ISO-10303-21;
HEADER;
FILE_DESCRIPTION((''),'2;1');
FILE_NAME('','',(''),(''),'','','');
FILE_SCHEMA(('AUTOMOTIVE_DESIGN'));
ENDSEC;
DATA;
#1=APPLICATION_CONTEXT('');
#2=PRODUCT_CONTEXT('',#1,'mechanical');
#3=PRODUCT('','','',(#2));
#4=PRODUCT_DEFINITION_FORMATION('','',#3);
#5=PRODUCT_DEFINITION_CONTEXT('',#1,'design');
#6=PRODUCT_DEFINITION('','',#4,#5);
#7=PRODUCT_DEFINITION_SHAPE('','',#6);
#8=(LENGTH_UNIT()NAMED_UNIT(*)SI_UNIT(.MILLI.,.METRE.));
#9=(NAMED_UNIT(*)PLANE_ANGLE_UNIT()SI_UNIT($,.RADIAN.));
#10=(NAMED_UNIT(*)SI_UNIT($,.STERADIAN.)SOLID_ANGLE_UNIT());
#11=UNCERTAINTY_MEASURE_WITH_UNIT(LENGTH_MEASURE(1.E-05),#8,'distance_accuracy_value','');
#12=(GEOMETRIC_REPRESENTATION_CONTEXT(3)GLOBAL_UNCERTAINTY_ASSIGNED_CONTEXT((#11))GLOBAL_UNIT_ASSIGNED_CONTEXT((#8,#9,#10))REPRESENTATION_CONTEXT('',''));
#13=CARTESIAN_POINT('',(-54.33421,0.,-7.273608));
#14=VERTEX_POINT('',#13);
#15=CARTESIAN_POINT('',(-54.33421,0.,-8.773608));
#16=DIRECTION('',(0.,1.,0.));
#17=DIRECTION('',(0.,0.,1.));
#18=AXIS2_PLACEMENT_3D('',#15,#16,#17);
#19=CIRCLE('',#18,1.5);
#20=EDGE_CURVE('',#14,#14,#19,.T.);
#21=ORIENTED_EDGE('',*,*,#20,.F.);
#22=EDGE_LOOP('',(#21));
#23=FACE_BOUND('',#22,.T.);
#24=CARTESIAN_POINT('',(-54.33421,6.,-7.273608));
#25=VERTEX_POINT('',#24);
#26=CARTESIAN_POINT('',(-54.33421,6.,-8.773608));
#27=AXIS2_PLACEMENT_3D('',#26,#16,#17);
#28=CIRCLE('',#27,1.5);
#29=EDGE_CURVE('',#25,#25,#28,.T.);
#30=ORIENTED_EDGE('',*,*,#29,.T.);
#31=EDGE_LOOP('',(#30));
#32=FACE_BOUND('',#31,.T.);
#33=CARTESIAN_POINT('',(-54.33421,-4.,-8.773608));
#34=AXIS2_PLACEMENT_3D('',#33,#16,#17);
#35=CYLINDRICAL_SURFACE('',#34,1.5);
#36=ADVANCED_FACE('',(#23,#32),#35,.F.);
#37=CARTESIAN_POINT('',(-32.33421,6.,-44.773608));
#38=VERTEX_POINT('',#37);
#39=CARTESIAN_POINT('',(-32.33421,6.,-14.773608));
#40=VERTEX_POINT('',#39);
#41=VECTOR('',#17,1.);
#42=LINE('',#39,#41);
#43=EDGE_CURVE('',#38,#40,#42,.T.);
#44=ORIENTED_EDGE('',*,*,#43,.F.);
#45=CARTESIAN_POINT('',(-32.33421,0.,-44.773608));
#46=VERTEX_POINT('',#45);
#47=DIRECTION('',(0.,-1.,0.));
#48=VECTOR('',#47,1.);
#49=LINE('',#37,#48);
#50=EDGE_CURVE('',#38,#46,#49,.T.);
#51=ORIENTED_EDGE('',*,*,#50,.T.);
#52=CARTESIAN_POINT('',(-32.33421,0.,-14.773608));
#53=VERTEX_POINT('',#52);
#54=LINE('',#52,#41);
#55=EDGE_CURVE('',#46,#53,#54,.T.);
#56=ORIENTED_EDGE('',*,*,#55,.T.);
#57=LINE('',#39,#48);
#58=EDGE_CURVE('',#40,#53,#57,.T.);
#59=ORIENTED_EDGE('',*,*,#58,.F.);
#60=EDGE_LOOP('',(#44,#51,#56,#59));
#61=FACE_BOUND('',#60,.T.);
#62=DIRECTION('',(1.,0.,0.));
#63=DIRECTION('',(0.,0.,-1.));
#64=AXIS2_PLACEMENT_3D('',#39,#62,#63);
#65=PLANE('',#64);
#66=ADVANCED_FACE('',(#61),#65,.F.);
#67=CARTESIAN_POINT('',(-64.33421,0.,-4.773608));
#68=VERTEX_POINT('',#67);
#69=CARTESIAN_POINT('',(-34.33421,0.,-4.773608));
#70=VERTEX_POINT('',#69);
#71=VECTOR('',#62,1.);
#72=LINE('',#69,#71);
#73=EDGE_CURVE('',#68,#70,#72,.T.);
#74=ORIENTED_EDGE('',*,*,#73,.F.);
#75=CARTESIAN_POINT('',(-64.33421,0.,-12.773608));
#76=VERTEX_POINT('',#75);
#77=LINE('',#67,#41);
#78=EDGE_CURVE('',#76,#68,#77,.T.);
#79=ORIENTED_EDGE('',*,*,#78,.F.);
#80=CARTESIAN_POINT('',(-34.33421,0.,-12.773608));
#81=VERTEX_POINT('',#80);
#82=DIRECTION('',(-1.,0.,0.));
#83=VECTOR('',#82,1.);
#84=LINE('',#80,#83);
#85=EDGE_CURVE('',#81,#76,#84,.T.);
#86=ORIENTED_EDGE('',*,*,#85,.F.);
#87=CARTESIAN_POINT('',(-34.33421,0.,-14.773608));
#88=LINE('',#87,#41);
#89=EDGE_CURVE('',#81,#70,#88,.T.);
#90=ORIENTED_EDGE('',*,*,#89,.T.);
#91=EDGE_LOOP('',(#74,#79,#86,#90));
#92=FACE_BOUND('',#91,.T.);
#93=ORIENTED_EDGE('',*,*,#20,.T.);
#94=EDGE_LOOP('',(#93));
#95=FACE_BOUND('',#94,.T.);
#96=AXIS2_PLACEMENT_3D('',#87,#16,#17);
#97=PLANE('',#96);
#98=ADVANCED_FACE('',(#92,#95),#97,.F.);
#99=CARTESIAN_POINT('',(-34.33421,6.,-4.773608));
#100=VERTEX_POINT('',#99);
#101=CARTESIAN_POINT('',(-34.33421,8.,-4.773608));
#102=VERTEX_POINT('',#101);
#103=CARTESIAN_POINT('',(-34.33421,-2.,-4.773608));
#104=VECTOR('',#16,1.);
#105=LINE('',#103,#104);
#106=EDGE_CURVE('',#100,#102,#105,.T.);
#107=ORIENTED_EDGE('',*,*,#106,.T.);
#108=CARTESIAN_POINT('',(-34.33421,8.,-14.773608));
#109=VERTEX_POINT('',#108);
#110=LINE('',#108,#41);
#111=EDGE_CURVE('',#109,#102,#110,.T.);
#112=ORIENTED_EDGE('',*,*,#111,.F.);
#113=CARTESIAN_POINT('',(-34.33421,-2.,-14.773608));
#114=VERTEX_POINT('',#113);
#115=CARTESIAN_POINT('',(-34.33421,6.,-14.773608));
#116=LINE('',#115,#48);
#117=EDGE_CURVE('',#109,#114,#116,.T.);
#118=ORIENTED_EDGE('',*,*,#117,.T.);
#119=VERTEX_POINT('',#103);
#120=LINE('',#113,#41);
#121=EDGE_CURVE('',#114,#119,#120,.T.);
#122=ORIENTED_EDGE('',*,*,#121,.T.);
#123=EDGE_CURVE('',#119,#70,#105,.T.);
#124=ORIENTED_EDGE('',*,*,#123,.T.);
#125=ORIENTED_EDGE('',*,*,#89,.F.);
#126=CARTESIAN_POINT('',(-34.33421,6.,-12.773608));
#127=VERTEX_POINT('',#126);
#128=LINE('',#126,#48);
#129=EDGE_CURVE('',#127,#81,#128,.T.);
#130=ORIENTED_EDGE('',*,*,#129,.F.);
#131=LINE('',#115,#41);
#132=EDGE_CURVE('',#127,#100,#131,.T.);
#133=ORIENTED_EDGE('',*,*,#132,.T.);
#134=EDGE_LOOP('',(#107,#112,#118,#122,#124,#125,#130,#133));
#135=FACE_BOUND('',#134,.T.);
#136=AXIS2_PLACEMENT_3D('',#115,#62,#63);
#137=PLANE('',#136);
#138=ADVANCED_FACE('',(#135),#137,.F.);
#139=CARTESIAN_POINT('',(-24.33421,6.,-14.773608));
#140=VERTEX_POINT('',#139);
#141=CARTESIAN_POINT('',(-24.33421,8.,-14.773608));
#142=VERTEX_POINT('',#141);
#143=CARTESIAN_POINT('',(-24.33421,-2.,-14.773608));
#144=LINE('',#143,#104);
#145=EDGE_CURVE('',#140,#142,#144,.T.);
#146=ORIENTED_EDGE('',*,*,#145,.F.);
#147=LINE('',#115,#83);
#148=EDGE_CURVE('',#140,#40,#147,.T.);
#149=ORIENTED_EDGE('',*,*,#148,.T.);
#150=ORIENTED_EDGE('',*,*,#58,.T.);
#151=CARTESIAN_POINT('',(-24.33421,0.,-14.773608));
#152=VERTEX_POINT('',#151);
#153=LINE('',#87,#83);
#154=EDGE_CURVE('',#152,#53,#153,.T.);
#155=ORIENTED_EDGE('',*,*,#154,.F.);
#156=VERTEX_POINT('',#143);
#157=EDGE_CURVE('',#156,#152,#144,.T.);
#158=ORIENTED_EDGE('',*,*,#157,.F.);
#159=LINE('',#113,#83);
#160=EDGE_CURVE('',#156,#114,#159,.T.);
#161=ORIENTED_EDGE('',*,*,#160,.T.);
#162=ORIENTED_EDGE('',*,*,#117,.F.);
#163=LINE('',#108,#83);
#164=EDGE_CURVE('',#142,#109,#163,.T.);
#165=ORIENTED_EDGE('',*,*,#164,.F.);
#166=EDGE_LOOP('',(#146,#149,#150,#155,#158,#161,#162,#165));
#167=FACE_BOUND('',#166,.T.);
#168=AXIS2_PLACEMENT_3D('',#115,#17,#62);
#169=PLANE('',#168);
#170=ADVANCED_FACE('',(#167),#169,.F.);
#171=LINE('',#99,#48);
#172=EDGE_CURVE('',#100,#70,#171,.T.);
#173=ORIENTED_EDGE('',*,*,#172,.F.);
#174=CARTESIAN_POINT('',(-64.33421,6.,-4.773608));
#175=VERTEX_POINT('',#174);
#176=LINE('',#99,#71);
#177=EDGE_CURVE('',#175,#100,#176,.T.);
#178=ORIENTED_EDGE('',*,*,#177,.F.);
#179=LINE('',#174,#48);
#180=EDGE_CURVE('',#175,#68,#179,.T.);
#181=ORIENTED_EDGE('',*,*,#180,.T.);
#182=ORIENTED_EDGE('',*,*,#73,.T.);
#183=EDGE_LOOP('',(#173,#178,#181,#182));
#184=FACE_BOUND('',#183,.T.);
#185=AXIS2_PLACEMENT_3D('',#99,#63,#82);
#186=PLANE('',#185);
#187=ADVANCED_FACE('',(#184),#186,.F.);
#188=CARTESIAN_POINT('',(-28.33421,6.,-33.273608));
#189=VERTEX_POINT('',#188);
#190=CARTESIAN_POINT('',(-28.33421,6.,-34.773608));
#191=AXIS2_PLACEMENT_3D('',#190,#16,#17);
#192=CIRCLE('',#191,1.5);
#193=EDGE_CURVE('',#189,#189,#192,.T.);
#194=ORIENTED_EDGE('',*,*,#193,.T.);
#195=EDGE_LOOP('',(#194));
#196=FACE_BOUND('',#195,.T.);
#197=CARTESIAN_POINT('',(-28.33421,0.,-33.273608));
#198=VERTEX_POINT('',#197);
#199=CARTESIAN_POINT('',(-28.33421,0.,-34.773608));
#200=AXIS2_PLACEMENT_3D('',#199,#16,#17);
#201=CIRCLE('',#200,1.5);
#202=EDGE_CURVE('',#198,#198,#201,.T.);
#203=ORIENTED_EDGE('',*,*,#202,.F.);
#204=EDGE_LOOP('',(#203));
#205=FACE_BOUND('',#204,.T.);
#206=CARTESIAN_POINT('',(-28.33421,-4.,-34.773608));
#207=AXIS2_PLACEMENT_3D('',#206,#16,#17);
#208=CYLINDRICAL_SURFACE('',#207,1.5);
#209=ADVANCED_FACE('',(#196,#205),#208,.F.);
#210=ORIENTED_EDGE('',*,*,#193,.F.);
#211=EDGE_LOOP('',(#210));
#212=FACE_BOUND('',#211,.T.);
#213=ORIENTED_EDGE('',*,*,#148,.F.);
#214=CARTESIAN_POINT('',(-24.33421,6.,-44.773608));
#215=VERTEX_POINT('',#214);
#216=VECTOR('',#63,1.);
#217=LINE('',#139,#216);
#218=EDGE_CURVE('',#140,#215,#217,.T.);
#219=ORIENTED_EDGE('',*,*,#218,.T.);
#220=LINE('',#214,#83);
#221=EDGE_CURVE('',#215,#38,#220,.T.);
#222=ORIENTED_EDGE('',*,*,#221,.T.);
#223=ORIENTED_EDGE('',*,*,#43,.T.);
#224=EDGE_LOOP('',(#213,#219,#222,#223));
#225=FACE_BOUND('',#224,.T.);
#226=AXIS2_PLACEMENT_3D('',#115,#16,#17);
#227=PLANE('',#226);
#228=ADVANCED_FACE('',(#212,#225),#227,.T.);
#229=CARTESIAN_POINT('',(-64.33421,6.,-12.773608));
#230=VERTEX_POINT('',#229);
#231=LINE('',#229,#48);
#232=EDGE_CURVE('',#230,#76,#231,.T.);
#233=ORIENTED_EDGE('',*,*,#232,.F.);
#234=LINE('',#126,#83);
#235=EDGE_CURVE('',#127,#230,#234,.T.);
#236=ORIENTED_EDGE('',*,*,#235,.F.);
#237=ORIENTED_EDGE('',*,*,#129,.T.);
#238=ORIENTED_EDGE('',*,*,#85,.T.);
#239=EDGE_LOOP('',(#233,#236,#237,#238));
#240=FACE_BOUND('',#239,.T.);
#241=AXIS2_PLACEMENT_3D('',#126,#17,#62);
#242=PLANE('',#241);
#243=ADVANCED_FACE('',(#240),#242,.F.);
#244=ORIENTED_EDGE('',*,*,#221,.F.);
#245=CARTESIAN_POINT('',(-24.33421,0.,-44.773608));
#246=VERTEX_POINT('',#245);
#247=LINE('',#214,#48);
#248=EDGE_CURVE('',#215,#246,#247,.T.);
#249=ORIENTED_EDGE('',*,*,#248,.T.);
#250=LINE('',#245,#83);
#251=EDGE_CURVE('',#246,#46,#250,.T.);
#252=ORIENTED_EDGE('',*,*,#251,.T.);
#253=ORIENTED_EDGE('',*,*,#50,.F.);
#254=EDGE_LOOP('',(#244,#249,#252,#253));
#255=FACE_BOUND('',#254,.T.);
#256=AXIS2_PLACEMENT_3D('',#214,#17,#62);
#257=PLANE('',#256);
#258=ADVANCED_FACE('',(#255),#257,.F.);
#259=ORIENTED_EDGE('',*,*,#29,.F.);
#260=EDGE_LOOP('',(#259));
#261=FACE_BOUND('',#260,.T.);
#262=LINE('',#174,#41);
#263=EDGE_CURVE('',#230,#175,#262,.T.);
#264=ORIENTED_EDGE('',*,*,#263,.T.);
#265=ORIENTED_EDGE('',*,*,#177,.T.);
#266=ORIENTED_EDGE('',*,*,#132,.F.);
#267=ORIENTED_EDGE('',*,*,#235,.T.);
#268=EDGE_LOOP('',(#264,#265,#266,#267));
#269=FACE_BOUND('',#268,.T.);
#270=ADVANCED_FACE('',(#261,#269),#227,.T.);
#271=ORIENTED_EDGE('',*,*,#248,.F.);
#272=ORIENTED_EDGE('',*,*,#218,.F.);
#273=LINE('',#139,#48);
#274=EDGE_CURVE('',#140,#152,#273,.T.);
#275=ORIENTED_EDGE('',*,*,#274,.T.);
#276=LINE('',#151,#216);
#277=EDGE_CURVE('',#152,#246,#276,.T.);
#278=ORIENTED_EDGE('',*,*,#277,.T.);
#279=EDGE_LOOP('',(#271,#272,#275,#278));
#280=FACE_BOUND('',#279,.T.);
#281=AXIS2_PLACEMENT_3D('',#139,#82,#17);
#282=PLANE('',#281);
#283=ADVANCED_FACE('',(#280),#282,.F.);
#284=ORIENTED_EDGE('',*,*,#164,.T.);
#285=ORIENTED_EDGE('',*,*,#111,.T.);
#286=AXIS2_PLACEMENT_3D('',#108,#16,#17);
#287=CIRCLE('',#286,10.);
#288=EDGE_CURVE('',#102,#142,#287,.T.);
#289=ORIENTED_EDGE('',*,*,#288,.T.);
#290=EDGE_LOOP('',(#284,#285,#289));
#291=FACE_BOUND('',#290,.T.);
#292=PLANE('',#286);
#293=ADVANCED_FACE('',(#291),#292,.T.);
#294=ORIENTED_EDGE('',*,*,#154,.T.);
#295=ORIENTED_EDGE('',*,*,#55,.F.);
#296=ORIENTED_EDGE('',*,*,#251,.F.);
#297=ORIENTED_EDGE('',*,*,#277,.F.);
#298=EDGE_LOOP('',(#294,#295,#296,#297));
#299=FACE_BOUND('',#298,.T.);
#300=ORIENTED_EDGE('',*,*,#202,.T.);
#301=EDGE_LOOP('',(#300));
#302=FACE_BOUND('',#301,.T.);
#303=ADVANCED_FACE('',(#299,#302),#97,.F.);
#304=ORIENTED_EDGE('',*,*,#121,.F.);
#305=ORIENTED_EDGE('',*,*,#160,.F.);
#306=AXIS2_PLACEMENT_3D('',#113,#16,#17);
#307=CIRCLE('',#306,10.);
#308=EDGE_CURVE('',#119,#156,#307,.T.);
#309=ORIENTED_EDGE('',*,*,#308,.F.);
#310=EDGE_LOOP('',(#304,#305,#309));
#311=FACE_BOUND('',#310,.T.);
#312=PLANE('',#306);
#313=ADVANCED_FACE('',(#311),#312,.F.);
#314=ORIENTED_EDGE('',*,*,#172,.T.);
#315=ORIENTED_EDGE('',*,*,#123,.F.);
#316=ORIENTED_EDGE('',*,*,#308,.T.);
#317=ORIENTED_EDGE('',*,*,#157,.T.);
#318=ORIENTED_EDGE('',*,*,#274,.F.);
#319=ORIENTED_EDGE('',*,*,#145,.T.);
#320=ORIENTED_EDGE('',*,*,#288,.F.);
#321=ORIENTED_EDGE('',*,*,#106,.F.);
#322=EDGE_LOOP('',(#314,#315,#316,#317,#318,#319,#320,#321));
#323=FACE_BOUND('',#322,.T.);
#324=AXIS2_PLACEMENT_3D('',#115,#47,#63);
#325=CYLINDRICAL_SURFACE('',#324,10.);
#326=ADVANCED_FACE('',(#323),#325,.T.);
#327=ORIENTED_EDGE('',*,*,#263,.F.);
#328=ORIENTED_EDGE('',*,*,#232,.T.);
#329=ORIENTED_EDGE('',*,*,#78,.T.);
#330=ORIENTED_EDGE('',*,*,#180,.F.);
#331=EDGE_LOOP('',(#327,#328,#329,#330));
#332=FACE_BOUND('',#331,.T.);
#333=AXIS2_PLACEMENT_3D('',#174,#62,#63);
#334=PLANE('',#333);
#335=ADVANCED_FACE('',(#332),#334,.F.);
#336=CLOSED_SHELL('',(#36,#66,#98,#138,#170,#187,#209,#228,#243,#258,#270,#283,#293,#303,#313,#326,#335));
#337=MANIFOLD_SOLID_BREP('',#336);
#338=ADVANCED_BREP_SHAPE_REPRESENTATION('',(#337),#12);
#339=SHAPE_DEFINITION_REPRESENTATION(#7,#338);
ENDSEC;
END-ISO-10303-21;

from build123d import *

# Parameters (mm, degrees)
EXTRUDE_5_DEPTH      = 6
EXTRUDE_7_DEPTH      = 2
EXTRUDE_7_DEPTH_BACK = 8
SKETCH_7_R           = 1.5
CUT_EXTRUDE_1_DEPTH  = 10


with BuildPart() as part:
    # 草图5 → 凸台-拉伸5 (new body)
    with BuildSketch(Plane(origin=(0, 0, 0), x_dir=(1, 0, 0), z_dir=(0, 1, 0))):
        with BuildLine():
            Line((-34.334210338, 14.7736082), (-32.334210338, 14.7736082))
            Line((-32.334210338, 14.7736082), (-32.334210338, 44.7736082))
            Line((-32.334210338, 44.7736082), (-24.334210338, 44.7736082))
            Line((-24.334210338, 44.7736082), (-24.334210338, 14.7736082))
            ThreePointArc((-24.334210338, 14.7736082), (-27.263142526, 7.702540389), (-34.334210338, 4.7736082))
            Line((-34.334210338, 4.7736082), (-64.334210338, 4.7736082))
            Line((-64.334210338, 4.7736082), (-64.334210338, 12.7736082))
            Line((-64.334210338, 12.7736082), (-34.334210338, 12.7736082))
            Line((-34.334210338, 12.7736082), (-34.334210338, 14.7736082))
        make_face()
    extrude(amount=EXTRUDE_5_DEPTH)

    # 草图6 → 凸台-拉伸7 (add, two sides: drawn at the far end of the back side and taken through both)
    with BuildSketch(Plane(origin=(0, 6, 0), x_dir=(1, 0, 0), z_dir=(0, 1, 0)).offset(-EXTRUDE_7_DEPTH_BACK)):
        with BuildLine():
            Line((-34.334210338, 14.7736082), (-24.334210338, 14.7736082))
            ThreePointArc((-24.334210338, 14.7736082), (-27.263142526, 7.702540389), (-34.334210338, 4.7736082))
            Line((-34.334210338, 4.7736082), (-34.334210338, 14.7736082))
        make_face()
    extrude(amount=EXTRUDE_7_DEPTH + EXTRUDE_7_DEPTH_BACK)

    # 草图7 → 切除-拉伸1 (cut)
    with BuildSketch(Plane(origin=(0, 6, 0), x_dir=(1, 0, 0), z_dir=(0, 1, 0))):
        with Locations(Location((-54.334210338, 8.7736082, 0), (0, 0, 270))):
            Circle(SKETCH_7_R)
        with Locations(Location((-28.334210338, 34.7736082, 0), (0, 0, 270))):
            Circle(SKETCH_7_R)
    extrude(amount=-CUT_EXTRUDE_1_DEPTH, mode=Mode.SUBTRACT)


solid = part.part
